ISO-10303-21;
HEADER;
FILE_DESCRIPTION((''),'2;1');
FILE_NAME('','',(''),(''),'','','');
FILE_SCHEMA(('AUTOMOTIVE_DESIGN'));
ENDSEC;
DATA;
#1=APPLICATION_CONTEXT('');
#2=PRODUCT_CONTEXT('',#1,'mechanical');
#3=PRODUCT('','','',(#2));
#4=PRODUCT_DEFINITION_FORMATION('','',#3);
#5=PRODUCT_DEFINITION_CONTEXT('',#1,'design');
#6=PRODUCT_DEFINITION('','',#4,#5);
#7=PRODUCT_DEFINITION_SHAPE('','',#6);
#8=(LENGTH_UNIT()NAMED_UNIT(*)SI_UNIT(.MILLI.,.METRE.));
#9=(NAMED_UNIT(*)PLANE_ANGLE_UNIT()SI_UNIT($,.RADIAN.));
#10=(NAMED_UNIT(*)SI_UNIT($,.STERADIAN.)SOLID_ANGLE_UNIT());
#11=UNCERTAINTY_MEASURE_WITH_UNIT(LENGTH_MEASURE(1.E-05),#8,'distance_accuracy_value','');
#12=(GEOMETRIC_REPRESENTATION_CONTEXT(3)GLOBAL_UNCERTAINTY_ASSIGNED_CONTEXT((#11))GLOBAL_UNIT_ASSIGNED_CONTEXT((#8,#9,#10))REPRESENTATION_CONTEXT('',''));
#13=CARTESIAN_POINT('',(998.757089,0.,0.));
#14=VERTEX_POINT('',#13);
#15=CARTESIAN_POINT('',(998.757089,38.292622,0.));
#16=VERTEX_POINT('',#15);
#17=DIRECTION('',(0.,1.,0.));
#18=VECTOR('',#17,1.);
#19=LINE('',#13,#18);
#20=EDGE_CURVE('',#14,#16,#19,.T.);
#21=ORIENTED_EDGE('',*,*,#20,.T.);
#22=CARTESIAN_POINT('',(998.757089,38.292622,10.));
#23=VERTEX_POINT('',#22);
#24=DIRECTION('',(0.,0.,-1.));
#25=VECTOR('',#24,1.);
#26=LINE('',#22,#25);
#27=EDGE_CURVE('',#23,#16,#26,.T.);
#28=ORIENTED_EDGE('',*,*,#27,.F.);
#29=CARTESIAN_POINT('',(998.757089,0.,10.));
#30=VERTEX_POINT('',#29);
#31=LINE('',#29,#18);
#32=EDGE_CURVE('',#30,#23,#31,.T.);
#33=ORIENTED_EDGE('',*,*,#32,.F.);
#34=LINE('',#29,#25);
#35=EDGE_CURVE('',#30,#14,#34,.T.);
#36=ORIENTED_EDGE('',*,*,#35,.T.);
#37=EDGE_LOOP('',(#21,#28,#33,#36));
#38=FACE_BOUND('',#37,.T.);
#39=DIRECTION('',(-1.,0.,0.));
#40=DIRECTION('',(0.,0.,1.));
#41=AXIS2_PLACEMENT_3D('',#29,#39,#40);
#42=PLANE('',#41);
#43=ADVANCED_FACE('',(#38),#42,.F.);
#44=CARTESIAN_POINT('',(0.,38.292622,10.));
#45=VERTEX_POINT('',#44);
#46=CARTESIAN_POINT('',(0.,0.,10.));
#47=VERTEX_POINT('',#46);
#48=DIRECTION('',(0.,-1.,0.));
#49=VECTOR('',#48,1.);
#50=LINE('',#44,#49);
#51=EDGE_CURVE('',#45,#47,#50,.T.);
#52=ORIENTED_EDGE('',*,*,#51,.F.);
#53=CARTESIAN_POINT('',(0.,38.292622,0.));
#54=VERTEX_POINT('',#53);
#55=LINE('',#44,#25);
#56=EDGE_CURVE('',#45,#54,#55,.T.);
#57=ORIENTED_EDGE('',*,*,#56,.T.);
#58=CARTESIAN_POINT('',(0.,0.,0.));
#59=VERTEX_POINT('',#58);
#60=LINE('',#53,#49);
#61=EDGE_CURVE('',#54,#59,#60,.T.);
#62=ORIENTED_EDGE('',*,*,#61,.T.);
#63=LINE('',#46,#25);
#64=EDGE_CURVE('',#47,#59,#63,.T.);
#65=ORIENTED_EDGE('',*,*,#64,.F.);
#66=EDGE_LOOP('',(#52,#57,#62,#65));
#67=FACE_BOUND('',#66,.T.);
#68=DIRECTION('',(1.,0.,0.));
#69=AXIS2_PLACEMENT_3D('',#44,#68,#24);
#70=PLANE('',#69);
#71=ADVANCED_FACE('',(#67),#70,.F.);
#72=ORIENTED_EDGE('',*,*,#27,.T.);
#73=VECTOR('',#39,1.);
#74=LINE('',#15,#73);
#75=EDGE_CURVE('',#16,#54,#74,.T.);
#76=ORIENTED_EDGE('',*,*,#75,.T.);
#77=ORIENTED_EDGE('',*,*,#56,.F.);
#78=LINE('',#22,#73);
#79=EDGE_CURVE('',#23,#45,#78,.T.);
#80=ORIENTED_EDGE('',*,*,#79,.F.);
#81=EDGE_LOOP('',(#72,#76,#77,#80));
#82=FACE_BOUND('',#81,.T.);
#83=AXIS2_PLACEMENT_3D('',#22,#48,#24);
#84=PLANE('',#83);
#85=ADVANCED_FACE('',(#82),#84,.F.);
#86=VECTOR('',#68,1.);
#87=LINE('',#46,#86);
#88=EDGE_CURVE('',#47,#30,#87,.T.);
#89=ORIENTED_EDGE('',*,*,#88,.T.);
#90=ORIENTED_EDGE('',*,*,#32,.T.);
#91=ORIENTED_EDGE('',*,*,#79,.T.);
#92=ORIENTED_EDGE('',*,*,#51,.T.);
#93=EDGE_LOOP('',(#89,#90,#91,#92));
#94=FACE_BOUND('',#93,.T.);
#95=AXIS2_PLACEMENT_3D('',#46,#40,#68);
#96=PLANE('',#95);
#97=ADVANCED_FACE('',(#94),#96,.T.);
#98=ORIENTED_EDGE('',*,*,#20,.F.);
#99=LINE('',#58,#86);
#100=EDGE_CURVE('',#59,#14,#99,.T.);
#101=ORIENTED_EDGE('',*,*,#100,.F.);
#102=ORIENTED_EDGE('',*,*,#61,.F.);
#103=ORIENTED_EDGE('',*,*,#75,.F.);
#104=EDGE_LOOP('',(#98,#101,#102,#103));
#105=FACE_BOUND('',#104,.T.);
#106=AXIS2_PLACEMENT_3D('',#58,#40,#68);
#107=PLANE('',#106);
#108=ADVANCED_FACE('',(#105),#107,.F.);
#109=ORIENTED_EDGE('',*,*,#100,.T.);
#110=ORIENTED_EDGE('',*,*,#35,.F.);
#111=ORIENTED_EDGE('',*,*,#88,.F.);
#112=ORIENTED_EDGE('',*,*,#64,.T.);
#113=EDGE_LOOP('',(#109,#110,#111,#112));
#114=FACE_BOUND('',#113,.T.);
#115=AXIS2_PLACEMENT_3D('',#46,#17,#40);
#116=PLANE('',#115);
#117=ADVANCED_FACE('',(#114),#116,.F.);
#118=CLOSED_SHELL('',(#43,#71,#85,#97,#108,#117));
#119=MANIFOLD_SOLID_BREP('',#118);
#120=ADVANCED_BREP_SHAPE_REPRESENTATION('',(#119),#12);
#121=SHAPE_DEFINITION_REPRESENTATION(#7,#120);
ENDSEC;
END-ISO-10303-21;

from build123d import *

# Parameters (mm, degrees)
SKETCH1_W           = 998.75708883
SKETCH1_H           = 38.292622135
BOSS_EXTRUDE1_DEPTH = 10


with BuildPart() as part:
    # Sketch1 → Boss-Extrude1 (new body)
    with BuildSketch(Plane.XY):
        with Locations((499.378544415, 19.146311068)):
            Rectangle(SKETCH1_W, SKETCH1_H)
    extrude(amount=BOSS_EXTRUDE1_DEPTH)


solid = part.part
